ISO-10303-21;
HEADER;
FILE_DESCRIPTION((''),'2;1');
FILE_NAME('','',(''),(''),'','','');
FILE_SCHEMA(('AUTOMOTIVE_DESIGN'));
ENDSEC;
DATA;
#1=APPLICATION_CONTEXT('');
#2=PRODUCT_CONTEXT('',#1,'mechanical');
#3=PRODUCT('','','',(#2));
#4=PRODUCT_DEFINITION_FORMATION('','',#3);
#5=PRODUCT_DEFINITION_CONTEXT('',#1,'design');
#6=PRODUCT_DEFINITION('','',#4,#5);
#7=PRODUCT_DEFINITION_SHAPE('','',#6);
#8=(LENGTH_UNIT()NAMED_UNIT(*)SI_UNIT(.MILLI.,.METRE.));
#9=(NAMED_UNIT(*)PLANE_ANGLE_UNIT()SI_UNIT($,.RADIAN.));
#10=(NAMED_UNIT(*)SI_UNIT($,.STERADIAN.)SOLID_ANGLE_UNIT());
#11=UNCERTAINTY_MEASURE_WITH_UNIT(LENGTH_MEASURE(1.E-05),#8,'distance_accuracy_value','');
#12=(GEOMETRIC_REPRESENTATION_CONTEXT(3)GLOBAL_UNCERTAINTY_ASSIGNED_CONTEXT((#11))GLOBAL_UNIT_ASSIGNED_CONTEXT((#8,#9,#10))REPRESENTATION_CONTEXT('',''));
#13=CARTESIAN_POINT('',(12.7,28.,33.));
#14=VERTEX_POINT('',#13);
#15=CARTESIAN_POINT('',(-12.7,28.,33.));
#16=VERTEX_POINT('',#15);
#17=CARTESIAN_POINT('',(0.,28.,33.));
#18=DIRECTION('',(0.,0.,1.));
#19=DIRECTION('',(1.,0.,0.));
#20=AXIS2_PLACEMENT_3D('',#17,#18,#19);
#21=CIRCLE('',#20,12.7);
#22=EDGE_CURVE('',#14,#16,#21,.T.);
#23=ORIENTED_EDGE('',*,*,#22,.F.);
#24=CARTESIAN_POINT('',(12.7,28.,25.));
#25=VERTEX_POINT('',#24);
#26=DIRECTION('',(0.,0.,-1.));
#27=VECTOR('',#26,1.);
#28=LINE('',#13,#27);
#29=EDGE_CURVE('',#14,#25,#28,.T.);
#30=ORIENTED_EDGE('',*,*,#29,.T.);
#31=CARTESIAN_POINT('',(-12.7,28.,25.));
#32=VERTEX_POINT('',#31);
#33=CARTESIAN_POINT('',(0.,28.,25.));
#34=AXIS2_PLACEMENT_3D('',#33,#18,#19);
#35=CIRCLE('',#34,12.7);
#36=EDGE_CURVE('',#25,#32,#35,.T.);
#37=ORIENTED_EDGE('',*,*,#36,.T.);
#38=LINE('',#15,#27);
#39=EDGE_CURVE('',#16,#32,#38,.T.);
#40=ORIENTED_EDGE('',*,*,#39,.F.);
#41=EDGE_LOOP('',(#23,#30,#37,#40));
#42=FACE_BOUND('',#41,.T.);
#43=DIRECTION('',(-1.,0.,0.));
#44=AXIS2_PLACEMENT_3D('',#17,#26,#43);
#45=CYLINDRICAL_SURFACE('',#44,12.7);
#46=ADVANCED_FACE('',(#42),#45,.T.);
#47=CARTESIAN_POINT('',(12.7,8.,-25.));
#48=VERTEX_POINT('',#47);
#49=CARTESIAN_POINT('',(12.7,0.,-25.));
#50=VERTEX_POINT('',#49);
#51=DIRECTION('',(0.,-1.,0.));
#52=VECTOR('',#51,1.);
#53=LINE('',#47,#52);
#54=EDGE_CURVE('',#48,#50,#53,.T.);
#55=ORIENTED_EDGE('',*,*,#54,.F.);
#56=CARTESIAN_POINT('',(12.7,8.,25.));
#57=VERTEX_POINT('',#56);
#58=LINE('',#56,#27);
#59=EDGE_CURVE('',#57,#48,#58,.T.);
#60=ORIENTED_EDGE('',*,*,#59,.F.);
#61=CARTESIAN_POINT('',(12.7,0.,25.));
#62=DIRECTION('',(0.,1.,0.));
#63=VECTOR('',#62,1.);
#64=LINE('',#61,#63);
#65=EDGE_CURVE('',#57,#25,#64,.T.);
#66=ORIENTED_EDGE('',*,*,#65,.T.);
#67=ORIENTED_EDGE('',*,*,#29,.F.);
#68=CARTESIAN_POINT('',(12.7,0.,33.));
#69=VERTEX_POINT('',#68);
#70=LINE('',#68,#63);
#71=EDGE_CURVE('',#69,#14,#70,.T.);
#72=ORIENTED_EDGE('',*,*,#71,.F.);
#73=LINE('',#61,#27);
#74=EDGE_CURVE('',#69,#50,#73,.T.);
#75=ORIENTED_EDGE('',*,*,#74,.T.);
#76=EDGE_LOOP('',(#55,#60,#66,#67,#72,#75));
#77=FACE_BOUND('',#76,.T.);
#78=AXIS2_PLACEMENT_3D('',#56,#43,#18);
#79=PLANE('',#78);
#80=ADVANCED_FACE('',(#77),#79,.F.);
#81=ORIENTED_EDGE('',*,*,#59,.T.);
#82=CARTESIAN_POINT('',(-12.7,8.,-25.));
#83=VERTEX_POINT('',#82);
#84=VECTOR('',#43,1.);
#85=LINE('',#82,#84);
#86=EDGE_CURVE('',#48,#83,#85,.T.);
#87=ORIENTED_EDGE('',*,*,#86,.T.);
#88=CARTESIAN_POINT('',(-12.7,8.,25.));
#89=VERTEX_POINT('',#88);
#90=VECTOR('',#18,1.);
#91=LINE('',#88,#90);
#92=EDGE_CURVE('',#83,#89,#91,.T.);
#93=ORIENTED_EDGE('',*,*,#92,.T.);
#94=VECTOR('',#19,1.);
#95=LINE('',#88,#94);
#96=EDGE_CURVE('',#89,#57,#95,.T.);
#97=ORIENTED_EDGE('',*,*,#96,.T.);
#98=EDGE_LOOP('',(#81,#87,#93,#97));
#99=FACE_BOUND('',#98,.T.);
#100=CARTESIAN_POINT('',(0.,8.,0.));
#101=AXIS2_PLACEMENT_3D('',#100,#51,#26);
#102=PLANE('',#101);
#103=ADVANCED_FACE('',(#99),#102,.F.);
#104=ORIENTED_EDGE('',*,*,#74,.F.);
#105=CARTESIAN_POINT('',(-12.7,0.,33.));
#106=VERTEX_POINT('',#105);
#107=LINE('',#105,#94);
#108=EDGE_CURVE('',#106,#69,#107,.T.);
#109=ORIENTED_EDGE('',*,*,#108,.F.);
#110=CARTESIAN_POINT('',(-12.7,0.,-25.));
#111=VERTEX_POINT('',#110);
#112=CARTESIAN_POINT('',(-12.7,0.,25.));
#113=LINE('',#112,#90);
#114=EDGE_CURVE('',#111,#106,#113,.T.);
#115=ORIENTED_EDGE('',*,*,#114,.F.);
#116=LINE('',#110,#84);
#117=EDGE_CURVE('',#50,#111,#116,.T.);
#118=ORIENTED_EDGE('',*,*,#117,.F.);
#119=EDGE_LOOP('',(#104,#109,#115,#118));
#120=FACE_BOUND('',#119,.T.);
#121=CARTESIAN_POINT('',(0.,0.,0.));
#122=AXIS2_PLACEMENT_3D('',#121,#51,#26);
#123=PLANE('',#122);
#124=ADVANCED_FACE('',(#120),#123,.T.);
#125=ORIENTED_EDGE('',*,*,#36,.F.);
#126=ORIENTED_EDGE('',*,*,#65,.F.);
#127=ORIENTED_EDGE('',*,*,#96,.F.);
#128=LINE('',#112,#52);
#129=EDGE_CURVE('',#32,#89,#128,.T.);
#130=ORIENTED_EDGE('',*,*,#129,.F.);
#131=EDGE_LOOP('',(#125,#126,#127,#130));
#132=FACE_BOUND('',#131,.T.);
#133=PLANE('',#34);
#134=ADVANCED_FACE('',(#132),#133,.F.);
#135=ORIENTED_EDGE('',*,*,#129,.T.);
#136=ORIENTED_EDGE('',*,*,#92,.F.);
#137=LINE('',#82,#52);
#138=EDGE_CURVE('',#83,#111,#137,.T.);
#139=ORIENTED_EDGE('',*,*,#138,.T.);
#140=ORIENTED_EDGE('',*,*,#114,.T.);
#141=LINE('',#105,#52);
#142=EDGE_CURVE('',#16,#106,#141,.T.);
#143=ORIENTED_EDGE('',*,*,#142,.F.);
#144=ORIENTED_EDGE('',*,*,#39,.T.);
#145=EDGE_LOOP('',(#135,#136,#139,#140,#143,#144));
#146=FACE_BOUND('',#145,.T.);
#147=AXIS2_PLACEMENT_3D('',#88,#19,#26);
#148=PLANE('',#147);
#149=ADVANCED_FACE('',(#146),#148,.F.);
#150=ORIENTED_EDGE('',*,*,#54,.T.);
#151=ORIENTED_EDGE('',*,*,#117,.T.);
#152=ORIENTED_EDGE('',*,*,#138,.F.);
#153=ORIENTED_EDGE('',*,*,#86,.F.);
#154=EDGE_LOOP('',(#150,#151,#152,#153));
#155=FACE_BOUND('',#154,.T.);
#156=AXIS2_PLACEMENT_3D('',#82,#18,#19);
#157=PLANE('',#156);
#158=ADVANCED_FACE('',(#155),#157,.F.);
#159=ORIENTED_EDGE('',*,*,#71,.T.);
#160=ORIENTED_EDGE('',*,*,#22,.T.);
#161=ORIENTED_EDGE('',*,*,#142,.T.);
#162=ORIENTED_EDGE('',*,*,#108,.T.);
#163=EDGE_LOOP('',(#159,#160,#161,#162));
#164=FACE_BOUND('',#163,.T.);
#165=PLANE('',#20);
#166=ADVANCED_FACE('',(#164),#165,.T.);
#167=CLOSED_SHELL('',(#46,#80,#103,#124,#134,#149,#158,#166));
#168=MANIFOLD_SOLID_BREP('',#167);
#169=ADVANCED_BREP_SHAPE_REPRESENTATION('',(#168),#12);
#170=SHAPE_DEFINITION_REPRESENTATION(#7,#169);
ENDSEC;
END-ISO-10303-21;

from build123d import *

# Parameters (mm, degrees)
SKETCH1_W           = 25.4
SKETCH1_H           = 50
BOSS_EXTRUDE2_DEPTH = 8
BOSS_EXTRUDE4_DEPTH = 8


with BuildPart() as part:
    # Sketch1 → Boss-Extrude2 (new body)
    with BuildSketch(Plane(origin=(0, 0, 0), x_dir=(1, 0, 0), z_dir=(0, 1, 0))):
        Rectangle(SKETCH1_W, SKETCH1_H)
    extrude(amount=BOSS_EXTRUDE2_DEPTH)

    # Sketch4 → Boss-Extrude4 (add)
    with BuildSketch(Plane.XY.offset(25)):
        with BuildLine():
            Line((-12.7, 0), (12.7, 0))
            Line((12.7, 0), (12.7, 28))
            ThreePointArc((12.7, 28), (0, 40.7), (-12.7, 28))
            Line((-12.7, 28), (-12.7, 0))
        make_face()
    extrude(amount=BOSS_EXTRUDE4_DEPTH)


solid = part.part
